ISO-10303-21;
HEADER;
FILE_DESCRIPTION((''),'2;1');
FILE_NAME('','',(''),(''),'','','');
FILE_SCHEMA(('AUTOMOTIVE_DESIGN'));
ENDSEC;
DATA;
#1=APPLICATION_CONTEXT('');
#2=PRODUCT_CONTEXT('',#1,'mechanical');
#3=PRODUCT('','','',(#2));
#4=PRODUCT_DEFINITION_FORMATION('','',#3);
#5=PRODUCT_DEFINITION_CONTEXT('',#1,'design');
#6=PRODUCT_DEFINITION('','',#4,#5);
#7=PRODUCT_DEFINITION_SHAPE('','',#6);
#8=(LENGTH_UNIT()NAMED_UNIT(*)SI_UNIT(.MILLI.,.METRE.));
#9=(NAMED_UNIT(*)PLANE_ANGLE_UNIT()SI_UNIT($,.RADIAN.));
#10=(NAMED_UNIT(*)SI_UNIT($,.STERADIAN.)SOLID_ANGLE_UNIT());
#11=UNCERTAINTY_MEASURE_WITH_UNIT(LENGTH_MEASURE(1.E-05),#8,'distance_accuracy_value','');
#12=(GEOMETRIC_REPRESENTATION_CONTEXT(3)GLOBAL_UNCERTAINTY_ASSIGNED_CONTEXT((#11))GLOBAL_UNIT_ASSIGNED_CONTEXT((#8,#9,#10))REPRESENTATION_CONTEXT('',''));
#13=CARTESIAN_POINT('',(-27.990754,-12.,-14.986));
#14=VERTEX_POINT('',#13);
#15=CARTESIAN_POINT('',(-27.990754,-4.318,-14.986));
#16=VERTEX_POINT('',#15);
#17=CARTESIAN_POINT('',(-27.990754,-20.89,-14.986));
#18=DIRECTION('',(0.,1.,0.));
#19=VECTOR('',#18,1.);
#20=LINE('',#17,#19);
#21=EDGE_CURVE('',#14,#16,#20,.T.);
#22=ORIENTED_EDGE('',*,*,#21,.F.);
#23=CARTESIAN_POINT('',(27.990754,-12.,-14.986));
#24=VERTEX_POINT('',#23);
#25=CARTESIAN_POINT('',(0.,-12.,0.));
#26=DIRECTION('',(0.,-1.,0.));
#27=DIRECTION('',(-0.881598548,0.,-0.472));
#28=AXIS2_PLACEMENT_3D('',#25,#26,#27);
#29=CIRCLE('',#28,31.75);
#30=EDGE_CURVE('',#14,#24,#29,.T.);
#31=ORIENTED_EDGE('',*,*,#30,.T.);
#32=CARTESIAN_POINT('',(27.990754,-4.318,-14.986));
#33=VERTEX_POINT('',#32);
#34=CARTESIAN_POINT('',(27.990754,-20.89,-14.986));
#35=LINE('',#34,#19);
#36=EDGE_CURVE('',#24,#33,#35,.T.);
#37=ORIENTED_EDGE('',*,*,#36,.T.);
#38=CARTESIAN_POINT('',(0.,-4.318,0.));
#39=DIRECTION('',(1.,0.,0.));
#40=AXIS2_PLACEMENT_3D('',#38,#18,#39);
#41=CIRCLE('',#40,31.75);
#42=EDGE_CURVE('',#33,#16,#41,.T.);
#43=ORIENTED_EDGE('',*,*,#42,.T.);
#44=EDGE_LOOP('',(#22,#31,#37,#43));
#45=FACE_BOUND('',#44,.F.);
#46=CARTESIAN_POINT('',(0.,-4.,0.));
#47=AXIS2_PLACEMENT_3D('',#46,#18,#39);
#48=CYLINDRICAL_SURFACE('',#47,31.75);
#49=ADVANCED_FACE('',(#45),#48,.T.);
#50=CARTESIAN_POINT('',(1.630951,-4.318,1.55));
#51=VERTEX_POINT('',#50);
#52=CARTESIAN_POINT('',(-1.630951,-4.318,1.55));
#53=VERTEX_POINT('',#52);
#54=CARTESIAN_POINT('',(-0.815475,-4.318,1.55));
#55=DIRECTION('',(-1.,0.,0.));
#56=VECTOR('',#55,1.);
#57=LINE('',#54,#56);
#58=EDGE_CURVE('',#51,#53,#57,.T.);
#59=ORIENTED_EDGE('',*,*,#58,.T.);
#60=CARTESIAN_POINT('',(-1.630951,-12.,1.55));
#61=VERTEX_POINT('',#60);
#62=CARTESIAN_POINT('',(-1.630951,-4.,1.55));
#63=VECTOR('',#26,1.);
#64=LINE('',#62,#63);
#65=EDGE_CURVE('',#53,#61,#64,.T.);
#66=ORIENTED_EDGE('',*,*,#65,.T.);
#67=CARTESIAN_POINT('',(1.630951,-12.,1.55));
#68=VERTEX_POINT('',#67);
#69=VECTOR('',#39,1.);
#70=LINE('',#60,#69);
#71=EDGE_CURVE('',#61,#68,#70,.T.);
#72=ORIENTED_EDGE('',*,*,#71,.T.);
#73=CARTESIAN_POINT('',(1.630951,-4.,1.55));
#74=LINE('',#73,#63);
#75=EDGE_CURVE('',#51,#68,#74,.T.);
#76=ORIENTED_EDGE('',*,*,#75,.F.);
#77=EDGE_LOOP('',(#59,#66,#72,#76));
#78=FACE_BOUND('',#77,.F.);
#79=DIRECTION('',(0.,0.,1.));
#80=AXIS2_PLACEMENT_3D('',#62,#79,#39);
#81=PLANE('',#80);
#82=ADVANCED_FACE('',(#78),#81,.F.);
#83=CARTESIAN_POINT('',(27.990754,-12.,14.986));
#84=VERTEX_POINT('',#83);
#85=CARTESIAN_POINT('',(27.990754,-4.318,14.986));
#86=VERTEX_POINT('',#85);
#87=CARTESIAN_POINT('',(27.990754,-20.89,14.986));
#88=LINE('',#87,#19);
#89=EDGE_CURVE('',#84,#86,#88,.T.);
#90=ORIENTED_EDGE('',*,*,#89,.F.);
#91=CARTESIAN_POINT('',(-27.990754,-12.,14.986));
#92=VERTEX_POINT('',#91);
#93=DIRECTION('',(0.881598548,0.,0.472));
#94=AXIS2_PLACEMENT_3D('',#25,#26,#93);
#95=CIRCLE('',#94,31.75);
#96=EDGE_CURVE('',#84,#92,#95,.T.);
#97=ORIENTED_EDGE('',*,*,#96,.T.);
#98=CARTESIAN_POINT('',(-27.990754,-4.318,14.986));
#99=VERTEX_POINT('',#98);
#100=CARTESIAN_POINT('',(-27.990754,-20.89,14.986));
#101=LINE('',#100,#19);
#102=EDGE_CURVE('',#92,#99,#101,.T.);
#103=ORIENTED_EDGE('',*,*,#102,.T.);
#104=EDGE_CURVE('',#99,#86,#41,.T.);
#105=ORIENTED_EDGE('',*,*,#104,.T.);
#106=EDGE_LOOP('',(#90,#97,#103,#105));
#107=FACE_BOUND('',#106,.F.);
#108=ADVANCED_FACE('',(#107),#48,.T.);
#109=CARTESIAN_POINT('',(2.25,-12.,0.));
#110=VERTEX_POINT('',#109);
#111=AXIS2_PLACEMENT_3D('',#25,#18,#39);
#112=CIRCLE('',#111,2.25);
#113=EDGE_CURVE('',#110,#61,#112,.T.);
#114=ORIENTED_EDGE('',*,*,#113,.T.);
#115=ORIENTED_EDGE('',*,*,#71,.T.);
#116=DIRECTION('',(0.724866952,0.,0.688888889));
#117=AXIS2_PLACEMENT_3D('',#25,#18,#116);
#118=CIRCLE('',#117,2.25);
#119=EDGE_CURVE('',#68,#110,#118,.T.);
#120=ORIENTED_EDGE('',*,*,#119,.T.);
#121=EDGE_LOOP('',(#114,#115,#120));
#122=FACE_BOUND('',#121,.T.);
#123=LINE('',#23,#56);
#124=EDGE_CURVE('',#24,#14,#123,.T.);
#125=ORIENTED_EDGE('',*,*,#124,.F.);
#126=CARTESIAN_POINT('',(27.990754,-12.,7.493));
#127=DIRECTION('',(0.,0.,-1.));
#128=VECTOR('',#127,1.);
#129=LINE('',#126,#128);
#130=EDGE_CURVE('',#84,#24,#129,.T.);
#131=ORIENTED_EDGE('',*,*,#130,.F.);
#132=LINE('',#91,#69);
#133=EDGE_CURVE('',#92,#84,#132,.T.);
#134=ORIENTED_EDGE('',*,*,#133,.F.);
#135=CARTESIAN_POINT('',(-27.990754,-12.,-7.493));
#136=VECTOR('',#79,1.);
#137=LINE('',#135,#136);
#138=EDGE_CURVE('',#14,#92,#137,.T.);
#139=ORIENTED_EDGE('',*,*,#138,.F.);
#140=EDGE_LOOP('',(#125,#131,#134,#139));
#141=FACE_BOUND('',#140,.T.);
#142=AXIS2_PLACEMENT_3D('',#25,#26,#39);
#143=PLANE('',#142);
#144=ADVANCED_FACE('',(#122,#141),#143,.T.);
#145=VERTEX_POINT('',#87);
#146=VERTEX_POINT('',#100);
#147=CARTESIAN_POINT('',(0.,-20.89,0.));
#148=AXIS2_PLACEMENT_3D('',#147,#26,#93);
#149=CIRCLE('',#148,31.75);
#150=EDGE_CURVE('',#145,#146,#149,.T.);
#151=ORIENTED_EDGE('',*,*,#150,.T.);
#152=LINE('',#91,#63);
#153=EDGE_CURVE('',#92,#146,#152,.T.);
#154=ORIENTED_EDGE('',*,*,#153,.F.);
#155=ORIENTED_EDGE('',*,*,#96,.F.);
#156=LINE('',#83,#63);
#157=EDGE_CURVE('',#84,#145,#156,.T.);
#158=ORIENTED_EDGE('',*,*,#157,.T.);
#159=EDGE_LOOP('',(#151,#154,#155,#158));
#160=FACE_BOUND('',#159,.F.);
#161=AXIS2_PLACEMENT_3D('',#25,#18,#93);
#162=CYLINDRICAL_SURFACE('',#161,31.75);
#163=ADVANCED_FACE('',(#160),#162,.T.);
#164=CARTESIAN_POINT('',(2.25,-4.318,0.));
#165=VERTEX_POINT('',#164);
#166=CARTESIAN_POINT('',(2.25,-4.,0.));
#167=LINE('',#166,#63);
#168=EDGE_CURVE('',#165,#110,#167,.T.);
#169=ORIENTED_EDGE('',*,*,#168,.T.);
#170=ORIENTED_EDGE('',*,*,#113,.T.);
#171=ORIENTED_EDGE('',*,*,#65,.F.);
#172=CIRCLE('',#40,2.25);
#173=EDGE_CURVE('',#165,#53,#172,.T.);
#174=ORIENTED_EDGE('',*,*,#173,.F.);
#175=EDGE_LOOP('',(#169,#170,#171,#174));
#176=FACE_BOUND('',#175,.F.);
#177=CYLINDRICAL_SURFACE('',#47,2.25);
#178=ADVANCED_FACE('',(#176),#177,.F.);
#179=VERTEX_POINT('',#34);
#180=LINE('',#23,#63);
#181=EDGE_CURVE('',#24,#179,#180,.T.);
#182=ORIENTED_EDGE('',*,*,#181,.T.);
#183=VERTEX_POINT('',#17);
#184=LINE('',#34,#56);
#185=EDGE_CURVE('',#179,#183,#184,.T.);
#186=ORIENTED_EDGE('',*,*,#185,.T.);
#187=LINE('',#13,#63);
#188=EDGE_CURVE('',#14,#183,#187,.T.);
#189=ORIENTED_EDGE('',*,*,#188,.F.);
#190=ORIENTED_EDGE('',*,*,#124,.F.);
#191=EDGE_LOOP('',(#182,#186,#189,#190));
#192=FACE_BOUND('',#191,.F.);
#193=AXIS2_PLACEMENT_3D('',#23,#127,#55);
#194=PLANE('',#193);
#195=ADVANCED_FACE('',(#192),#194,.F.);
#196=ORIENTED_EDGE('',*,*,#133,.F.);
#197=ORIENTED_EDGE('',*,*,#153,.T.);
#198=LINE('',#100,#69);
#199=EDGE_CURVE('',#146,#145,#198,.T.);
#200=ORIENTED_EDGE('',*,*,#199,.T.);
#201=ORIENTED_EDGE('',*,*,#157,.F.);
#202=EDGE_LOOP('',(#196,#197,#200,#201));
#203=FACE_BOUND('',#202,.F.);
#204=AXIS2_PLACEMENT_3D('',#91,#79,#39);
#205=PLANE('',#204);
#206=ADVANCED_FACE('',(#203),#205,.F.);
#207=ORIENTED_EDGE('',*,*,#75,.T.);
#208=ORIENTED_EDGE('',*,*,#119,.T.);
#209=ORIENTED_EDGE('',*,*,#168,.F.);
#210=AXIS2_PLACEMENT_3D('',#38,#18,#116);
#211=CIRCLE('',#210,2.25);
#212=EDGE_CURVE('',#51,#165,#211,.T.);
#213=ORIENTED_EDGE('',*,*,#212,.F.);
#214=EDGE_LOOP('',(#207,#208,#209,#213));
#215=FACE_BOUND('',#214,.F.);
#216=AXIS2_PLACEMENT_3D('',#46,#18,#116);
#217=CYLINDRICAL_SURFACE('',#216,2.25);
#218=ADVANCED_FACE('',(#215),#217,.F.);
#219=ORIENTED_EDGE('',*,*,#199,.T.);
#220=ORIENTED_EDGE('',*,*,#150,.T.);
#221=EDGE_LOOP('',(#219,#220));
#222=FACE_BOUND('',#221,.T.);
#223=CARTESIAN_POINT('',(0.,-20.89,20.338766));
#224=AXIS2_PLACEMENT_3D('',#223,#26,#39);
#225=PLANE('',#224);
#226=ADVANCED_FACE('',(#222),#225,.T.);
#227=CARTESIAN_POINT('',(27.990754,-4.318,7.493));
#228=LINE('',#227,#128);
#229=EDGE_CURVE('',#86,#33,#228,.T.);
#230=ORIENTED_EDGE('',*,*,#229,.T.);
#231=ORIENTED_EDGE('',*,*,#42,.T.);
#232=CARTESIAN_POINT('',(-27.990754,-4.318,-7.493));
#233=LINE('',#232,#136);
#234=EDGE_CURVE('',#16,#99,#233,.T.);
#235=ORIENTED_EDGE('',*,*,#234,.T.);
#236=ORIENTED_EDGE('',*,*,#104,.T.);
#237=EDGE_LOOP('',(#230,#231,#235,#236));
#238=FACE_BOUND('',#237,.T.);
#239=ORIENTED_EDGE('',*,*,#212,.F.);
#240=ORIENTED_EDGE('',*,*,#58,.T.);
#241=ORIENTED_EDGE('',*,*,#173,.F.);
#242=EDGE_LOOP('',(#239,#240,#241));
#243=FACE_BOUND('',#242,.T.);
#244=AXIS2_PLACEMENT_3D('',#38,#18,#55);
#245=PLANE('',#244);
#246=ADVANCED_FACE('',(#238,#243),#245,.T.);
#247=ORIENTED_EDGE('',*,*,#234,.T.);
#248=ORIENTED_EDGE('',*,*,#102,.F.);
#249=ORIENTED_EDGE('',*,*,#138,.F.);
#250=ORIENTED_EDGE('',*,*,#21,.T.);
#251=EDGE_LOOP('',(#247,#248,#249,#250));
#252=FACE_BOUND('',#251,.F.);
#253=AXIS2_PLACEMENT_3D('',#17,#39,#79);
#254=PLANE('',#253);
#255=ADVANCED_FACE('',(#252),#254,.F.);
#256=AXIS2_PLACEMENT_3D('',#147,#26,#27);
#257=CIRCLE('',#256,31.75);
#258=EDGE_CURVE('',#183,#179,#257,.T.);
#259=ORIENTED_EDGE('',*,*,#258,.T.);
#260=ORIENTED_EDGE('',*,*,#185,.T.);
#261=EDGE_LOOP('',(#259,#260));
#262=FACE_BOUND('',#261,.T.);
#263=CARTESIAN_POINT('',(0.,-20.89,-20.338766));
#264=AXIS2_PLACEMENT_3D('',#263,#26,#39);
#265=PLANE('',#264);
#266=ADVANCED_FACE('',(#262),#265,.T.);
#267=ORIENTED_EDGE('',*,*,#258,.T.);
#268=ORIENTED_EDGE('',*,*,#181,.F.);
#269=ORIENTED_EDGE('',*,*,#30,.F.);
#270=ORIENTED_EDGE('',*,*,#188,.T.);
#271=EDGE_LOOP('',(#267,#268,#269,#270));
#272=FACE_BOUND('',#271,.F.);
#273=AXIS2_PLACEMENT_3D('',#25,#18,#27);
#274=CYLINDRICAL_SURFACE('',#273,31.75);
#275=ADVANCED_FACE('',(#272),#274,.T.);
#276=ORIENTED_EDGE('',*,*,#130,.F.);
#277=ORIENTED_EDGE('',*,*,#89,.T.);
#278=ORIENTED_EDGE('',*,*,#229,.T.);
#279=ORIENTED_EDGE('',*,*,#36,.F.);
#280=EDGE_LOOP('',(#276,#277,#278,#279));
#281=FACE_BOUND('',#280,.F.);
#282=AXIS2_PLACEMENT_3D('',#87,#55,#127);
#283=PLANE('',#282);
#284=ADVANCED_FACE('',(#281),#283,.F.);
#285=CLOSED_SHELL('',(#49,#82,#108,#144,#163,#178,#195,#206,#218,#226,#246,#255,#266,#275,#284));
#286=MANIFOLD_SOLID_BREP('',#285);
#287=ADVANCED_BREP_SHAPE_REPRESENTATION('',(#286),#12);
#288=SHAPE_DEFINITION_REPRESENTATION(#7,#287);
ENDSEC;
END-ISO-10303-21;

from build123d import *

# Parameters (mm, degrees)
F0_R     = 31.75
F0_R_2   = 2.25
F1_DEPTH = 4
F2_R     = 31.75
F3_DEPTH = 8
F5_DEPTH = 8.89
F7_DEPTH = 20.891
F8_R     = 39.6924295133
F9_DEPTH = 4.318


with BuildPart() as f1:
    # F0 (on Front) → F1 (new body)
    with BuildSketch(Plane.XZ):
        Circle(F0_R)
        Circle(F0_R_2, mode=Mode.SUBTRACT)
    extrude(amount=F1_DEPTH)

    # F2 (on face) → F3 (join)
    with BuildSketch(Plane.XZ.offset(4)):
        Circle(F2_R)
        with BuildLine():
            ThreePointArc((2.25, 0), (-0.8345241318, -2.0895141716), (-1.630950643, 1.55))
            ThreePointArc((-1.630950643, 1.55), (0, 2.25), (1.630950643, 1.55))
            ThreePointArc((1.630950643, 1.55), (2.0895141716, 0.8345241318), (2.25, 0))
        make_face(mode=Mode.SUBTRACT)
        with BuildLine():
            ThreePointArc((1.630950643, 1.55), (0, 2.25), (-1.630950643, 1.55))
            Line((-1.630950643, 1.55), (1.630950643, 1.55))
        make_face()
    extrude(amount=F3_DEPTH)

    # F4 (on face) → F5 (join)
    with BuildSketch(Plane.XZ.offset(12)):
        with BuildLine():
            ThreePointArc((27.990753902, 14.986), (0, 31.75), (-27.990753902, 14.986))
            Line((-27.990753902, 14.986), (27.990753902, 14.986))
        make_face()
        with BuildLine():
            Line((27.990753902, -14.986), (-27.990753902, -14.986))
            ThreePointArc((-27.990753902, -14.986), (0, -31.75), (27.990753902, -14.986))
        make_face()
    extrude(amount=F5_DEPTH)

    # F6 (on face) → F7 (cut, through all)
    with BuildSketch(Plane.XZ.offset(20.89)):
        with BuildLine():
            Line((-27.990753902, -14.986), (-27.990753902, 14.986))
            ThreePointArc((-27.990753902, 14.986), (-31.75, 0), (-27.990753902, -14.986))
        make_face()
        with BuildLine():
            ThreePointArc((27.990753902, -14.986), (30.795851477, -7.7251557788), (31.75, 0))
            ThreePointArc((31.75, 0), (30.795851477, 7.7251557788), (27.990753902, 14.986))
            Line((27.990753902, 14.986), (27.990753902, -14.986))
        make_face()
    extrude(amount=-F7_DEPTH, mode=Mode.SUBTRACT)

    # F8 (on face) → F9 (cut)
    with BuildSketch(Plane(origin=(0, 0, 0), x_dir=(-1, 0, 0), z_dir=(0, 1, 0))):
        Circle(F8_R)
    extrude(amount=-F9_DEPTH, mode=Mode.SUBTRACT)


solid = f1.part
